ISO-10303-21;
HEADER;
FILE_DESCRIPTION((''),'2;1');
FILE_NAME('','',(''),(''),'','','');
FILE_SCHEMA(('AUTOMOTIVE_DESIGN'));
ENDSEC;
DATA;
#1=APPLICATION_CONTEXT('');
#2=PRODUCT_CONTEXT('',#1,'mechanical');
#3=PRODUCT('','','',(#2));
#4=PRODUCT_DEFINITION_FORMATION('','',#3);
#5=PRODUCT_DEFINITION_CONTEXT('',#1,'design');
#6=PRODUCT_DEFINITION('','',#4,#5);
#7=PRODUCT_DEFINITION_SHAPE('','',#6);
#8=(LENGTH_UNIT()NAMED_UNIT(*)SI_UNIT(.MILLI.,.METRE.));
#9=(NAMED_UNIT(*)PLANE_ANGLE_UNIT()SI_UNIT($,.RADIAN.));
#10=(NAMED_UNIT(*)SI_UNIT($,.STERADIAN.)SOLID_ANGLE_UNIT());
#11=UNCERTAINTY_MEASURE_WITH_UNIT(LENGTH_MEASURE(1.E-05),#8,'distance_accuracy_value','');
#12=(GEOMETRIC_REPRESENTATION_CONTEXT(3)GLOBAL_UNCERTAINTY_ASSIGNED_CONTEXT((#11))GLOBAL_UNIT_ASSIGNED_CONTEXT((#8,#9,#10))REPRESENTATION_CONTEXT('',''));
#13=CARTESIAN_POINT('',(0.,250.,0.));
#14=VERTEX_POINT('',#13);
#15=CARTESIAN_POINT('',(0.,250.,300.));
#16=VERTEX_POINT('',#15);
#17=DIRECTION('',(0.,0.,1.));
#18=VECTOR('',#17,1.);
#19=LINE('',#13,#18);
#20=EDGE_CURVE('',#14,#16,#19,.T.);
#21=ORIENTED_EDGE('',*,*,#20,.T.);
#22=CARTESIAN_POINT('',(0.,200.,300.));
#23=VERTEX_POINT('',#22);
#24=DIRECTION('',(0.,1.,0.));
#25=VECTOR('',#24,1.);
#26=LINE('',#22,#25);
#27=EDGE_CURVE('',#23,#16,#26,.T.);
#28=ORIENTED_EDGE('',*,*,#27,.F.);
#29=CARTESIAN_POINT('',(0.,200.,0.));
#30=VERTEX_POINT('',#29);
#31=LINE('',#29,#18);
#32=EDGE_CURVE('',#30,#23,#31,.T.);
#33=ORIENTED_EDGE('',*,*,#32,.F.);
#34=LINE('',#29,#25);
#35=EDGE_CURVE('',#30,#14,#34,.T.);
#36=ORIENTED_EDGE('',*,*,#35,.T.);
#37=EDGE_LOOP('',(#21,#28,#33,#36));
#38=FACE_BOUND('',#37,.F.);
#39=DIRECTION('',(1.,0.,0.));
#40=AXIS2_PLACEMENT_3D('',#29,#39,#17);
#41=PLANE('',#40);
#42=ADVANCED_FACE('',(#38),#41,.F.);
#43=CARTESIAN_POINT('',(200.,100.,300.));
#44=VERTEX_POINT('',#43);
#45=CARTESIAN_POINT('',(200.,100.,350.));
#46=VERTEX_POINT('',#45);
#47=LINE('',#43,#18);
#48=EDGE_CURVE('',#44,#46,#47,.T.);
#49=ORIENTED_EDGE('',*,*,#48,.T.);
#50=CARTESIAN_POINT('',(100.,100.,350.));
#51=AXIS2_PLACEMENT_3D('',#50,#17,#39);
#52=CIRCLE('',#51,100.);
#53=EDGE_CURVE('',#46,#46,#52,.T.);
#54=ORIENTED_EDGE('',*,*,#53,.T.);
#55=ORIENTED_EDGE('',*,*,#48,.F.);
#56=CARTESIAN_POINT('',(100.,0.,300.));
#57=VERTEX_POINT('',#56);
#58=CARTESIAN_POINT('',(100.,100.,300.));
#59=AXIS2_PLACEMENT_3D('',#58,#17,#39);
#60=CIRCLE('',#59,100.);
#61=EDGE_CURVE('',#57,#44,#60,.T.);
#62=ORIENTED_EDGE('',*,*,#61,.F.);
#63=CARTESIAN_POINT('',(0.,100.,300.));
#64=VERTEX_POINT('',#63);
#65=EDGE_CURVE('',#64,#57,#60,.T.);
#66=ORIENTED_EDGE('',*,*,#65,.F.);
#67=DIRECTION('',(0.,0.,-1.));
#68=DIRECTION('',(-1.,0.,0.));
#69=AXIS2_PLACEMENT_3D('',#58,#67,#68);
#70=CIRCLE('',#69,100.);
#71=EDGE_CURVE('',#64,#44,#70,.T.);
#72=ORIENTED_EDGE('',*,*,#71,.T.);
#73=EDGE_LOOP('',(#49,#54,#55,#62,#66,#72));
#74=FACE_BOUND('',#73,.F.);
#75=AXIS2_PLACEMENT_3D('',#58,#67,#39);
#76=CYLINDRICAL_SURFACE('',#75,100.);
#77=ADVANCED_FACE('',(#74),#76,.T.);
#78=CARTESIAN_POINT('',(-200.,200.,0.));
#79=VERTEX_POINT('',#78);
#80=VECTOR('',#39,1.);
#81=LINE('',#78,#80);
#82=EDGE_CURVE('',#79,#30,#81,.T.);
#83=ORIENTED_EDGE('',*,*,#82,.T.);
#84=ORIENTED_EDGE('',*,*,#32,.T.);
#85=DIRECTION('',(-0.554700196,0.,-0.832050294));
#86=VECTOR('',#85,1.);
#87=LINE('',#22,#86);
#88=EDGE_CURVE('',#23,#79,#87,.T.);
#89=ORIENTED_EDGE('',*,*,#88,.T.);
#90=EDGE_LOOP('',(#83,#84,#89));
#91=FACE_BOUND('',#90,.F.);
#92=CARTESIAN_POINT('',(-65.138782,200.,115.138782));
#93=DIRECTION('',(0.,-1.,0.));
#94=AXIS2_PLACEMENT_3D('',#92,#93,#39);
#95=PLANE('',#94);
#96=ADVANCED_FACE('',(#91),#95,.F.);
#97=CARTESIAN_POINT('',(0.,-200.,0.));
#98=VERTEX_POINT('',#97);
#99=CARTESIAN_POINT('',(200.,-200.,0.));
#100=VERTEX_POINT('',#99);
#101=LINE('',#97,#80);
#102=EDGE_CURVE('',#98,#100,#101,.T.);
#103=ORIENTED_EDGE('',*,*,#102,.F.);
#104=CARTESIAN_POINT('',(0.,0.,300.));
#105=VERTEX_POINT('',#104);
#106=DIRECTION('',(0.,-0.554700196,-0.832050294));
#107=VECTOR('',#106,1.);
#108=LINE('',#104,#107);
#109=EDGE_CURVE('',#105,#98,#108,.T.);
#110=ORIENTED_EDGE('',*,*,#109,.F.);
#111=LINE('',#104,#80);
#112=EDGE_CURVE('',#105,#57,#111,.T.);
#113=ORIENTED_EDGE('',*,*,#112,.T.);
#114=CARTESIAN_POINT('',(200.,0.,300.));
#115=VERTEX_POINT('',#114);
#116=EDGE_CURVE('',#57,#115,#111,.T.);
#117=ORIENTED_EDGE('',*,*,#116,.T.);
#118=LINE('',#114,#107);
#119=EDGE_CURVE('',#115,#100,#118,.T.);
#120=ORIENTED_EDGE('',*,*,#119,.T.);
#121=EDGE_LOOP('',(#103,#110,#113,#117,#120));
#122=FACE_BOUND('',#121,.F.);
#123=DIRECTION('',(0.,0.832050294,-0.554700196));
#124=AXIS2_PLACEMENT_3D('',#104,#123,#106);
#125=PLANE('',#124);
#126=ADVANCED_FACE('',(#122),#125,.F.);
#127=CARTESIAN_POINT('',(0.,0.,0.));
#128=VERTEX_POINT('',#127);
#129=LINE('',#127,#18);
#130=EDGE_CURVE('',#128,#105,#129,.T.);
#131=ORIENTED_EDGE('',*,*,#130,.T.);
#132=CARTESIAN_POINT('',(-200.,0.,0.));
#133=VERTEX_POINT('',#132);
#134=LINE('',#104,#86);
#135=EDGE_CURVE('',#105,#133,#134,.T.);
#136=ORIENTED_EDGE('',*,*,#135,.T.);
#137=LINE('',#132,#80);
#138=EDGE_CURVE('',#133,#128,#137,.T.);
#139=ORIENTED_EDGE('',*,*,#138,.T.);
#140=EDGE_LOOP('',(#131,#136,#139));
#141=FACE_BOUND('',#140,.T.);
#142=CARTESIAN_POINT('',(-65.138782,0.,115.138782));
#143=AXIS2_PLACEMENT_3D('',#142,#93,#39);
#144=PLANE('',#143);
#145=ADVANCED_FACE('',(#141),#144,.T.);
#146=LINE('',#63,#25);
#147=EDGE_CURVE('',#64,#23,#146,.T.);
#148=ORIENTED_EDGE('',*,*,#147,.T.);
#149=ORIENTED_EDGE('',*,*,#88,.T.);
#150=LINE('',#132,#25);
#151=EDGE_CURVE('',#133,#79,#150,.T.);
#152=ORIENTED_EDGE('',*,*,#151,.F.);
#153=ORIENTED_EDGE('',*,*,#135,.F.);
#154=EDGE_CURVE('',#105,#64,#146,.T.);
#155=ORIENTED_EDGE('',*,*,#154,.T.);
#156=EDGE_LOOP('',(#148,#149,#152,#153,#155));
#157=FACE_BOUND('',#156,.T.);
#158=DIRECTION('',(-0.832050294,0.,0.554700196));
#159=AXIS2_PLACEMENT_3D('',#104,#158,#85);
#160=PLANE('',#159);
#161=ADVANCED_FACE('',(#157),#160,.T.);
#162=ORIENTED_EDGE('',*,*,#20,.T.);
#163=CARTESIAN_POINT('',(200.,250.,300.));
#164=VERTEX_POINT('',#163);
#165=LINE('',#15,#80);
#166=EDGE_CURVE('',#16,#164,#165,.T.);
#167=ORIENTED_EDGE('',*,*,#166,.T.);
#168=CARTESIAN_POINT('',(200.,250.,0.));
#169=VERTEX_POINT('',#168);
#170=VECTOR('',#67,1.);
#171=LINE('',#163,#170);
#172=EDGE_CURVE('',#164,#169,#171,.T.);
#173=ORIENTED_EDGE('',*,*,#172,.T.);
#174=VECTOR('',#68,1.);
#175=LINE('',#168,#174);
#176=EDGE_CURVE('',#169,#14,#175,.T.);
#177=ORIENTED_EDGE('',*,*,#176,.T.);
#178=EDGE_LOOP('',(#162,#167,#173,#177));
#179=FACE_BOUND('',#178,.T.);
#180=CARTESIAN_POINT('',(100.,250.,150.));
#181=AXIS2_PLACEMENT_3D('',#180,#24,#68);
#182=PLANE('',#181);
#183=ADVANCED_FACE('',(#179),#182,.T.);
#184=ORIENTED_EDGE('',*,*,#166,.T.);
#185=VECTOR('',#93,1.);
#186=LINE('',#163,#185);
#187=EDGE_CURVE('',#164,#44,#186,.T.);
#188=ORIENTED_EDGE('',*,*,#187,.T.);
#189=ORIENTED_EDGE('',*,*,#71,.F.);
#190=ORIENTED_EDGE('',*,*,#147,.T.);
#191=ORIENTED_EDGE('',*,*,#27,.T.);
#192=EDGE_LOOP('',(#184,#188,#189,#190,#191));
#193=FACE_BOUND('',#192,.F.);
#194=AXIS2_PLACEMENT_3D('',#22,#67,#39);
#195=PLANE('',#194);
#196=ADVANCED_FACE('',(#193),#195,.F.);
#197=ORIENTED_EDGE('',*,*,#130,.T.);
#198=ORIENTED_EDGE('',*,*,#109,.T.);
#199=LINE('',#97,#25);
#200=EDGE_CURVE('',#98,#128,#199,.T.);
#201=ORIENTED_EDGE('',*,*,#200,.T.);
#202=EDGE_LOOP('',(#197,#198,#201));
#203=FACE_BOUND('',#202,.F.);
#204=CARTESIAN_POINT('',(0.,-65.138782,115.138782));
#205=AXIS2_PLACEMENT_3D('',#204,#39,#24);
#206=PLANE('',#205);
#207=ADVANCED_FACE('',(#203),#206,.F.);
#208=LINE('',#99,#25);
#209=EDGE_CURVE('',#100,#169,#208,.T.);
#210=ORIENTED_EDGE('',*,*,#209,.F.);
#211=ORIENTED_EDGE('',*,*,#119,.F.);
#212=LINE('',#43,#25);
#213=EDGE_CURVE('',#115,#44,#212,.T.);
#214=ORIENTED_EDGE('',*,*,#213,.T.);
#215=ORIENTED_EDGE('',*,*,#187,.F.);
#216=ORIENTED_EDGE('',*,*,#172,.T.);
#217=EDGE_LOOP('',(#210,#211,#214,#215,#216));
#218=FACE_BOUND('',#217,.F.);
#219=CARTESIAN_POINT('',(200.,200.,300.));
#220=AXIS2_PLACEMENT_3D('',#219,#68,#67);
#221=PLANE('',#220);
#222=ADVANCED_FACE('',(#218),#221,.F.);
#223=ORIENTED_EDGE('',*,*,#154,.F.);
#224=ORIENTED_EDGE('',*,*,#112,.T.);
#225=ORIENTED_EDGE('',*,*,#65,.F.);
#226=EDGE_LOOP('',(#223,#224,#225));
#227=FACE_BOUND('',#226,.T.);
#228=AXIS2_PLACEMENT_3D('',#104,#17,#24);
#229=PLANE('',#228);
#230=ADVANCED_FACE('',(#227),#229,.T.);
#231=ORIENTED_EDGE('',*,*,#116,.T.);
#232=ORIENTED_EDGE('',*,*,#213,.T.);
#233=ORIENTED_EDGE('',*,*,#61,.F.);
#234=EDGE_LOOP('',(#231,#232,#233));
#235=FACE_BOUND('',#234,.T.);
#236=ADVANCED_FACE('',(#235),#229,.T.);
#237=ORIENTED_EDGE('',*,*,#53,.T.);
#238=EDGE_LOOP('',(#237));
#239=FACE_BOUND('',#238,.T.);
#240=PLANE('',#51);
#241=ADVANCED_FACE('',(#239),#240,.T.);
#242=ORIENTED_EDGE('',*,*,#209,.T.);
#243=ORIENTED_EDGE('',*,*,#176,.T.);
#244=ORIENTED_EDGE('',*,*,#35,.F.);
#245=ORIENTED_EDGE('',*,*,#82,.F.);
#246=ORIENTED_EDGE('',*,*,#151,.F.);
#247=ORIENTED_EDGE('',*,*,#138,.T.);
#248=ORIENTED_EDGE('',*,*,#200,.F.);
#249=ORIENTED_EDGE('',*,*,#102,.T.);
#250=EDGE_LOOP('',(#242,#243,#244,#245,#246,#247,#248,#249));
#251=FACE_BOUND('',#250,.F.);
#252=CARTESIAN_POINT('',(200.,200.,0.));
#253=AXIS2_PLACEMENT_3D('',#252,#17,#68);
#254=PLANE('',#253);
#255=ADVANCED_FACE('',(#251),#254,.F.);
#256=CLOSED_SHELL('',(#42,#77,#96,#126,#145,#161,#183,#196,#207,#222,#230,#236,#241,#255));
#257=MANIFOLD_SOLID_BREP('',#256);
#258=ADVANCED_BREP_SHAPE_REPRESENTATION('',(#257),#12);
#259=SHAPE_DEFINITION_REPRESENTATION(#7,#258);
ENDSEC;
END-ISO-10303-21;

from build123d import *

# Parameters (mm, degrees)
F0_W     = 200
F0_H     = 300
F1_DEPTH = 200
F3_DEPTH = 200
F4_R     = 100
F5_DEPTH = 50
F7_DEPTH = 200
F9_DEPTH = 50


with BuildPart() as f1:
    # F0 (on Right) → F1 (new body)
    with BuildSketch(Plane.YZ):
        with Locations((100, 150)):
            Rectangle(F0_W, F0_H)
    extrude(amount=F1_DEPTH)

    # F2 (on Right) → F3 (join)
    with BuildSketch(Plane.YZ):
        Polygon((-200, 0), (0, 0), (0, 300), align=None)
    extrude(amount=F3_DEPTH)

    # F4 (on face) → F5 (join)
    with BuildSketch(Plane.XY.offset(300)):
        with Locations((100, 100)):
            Circle(F4_R)
    extrude(amount=F5_DEPTH)

    # F6 (on Front) → F7 (join)
    with BuildSketch(Plane.XZ):
        Polygon((-200, 0), (0, 0), (0, 300), align=None)
    extrude(amount=-F7_DEPTH)

    # F8 (on face) → F9 (join)
    with BuildSketch(Plane(origin=(0, 200, 0), x_dir=(-1, 0, 0), z_dir=(0, 1, 0))):
        Polygon((-100, 300), (-200, 300), (-200, 0), (0, 0), (0, 300), align=None)
    extrude(amount=F9_DEPTH)


solid = f1.part
